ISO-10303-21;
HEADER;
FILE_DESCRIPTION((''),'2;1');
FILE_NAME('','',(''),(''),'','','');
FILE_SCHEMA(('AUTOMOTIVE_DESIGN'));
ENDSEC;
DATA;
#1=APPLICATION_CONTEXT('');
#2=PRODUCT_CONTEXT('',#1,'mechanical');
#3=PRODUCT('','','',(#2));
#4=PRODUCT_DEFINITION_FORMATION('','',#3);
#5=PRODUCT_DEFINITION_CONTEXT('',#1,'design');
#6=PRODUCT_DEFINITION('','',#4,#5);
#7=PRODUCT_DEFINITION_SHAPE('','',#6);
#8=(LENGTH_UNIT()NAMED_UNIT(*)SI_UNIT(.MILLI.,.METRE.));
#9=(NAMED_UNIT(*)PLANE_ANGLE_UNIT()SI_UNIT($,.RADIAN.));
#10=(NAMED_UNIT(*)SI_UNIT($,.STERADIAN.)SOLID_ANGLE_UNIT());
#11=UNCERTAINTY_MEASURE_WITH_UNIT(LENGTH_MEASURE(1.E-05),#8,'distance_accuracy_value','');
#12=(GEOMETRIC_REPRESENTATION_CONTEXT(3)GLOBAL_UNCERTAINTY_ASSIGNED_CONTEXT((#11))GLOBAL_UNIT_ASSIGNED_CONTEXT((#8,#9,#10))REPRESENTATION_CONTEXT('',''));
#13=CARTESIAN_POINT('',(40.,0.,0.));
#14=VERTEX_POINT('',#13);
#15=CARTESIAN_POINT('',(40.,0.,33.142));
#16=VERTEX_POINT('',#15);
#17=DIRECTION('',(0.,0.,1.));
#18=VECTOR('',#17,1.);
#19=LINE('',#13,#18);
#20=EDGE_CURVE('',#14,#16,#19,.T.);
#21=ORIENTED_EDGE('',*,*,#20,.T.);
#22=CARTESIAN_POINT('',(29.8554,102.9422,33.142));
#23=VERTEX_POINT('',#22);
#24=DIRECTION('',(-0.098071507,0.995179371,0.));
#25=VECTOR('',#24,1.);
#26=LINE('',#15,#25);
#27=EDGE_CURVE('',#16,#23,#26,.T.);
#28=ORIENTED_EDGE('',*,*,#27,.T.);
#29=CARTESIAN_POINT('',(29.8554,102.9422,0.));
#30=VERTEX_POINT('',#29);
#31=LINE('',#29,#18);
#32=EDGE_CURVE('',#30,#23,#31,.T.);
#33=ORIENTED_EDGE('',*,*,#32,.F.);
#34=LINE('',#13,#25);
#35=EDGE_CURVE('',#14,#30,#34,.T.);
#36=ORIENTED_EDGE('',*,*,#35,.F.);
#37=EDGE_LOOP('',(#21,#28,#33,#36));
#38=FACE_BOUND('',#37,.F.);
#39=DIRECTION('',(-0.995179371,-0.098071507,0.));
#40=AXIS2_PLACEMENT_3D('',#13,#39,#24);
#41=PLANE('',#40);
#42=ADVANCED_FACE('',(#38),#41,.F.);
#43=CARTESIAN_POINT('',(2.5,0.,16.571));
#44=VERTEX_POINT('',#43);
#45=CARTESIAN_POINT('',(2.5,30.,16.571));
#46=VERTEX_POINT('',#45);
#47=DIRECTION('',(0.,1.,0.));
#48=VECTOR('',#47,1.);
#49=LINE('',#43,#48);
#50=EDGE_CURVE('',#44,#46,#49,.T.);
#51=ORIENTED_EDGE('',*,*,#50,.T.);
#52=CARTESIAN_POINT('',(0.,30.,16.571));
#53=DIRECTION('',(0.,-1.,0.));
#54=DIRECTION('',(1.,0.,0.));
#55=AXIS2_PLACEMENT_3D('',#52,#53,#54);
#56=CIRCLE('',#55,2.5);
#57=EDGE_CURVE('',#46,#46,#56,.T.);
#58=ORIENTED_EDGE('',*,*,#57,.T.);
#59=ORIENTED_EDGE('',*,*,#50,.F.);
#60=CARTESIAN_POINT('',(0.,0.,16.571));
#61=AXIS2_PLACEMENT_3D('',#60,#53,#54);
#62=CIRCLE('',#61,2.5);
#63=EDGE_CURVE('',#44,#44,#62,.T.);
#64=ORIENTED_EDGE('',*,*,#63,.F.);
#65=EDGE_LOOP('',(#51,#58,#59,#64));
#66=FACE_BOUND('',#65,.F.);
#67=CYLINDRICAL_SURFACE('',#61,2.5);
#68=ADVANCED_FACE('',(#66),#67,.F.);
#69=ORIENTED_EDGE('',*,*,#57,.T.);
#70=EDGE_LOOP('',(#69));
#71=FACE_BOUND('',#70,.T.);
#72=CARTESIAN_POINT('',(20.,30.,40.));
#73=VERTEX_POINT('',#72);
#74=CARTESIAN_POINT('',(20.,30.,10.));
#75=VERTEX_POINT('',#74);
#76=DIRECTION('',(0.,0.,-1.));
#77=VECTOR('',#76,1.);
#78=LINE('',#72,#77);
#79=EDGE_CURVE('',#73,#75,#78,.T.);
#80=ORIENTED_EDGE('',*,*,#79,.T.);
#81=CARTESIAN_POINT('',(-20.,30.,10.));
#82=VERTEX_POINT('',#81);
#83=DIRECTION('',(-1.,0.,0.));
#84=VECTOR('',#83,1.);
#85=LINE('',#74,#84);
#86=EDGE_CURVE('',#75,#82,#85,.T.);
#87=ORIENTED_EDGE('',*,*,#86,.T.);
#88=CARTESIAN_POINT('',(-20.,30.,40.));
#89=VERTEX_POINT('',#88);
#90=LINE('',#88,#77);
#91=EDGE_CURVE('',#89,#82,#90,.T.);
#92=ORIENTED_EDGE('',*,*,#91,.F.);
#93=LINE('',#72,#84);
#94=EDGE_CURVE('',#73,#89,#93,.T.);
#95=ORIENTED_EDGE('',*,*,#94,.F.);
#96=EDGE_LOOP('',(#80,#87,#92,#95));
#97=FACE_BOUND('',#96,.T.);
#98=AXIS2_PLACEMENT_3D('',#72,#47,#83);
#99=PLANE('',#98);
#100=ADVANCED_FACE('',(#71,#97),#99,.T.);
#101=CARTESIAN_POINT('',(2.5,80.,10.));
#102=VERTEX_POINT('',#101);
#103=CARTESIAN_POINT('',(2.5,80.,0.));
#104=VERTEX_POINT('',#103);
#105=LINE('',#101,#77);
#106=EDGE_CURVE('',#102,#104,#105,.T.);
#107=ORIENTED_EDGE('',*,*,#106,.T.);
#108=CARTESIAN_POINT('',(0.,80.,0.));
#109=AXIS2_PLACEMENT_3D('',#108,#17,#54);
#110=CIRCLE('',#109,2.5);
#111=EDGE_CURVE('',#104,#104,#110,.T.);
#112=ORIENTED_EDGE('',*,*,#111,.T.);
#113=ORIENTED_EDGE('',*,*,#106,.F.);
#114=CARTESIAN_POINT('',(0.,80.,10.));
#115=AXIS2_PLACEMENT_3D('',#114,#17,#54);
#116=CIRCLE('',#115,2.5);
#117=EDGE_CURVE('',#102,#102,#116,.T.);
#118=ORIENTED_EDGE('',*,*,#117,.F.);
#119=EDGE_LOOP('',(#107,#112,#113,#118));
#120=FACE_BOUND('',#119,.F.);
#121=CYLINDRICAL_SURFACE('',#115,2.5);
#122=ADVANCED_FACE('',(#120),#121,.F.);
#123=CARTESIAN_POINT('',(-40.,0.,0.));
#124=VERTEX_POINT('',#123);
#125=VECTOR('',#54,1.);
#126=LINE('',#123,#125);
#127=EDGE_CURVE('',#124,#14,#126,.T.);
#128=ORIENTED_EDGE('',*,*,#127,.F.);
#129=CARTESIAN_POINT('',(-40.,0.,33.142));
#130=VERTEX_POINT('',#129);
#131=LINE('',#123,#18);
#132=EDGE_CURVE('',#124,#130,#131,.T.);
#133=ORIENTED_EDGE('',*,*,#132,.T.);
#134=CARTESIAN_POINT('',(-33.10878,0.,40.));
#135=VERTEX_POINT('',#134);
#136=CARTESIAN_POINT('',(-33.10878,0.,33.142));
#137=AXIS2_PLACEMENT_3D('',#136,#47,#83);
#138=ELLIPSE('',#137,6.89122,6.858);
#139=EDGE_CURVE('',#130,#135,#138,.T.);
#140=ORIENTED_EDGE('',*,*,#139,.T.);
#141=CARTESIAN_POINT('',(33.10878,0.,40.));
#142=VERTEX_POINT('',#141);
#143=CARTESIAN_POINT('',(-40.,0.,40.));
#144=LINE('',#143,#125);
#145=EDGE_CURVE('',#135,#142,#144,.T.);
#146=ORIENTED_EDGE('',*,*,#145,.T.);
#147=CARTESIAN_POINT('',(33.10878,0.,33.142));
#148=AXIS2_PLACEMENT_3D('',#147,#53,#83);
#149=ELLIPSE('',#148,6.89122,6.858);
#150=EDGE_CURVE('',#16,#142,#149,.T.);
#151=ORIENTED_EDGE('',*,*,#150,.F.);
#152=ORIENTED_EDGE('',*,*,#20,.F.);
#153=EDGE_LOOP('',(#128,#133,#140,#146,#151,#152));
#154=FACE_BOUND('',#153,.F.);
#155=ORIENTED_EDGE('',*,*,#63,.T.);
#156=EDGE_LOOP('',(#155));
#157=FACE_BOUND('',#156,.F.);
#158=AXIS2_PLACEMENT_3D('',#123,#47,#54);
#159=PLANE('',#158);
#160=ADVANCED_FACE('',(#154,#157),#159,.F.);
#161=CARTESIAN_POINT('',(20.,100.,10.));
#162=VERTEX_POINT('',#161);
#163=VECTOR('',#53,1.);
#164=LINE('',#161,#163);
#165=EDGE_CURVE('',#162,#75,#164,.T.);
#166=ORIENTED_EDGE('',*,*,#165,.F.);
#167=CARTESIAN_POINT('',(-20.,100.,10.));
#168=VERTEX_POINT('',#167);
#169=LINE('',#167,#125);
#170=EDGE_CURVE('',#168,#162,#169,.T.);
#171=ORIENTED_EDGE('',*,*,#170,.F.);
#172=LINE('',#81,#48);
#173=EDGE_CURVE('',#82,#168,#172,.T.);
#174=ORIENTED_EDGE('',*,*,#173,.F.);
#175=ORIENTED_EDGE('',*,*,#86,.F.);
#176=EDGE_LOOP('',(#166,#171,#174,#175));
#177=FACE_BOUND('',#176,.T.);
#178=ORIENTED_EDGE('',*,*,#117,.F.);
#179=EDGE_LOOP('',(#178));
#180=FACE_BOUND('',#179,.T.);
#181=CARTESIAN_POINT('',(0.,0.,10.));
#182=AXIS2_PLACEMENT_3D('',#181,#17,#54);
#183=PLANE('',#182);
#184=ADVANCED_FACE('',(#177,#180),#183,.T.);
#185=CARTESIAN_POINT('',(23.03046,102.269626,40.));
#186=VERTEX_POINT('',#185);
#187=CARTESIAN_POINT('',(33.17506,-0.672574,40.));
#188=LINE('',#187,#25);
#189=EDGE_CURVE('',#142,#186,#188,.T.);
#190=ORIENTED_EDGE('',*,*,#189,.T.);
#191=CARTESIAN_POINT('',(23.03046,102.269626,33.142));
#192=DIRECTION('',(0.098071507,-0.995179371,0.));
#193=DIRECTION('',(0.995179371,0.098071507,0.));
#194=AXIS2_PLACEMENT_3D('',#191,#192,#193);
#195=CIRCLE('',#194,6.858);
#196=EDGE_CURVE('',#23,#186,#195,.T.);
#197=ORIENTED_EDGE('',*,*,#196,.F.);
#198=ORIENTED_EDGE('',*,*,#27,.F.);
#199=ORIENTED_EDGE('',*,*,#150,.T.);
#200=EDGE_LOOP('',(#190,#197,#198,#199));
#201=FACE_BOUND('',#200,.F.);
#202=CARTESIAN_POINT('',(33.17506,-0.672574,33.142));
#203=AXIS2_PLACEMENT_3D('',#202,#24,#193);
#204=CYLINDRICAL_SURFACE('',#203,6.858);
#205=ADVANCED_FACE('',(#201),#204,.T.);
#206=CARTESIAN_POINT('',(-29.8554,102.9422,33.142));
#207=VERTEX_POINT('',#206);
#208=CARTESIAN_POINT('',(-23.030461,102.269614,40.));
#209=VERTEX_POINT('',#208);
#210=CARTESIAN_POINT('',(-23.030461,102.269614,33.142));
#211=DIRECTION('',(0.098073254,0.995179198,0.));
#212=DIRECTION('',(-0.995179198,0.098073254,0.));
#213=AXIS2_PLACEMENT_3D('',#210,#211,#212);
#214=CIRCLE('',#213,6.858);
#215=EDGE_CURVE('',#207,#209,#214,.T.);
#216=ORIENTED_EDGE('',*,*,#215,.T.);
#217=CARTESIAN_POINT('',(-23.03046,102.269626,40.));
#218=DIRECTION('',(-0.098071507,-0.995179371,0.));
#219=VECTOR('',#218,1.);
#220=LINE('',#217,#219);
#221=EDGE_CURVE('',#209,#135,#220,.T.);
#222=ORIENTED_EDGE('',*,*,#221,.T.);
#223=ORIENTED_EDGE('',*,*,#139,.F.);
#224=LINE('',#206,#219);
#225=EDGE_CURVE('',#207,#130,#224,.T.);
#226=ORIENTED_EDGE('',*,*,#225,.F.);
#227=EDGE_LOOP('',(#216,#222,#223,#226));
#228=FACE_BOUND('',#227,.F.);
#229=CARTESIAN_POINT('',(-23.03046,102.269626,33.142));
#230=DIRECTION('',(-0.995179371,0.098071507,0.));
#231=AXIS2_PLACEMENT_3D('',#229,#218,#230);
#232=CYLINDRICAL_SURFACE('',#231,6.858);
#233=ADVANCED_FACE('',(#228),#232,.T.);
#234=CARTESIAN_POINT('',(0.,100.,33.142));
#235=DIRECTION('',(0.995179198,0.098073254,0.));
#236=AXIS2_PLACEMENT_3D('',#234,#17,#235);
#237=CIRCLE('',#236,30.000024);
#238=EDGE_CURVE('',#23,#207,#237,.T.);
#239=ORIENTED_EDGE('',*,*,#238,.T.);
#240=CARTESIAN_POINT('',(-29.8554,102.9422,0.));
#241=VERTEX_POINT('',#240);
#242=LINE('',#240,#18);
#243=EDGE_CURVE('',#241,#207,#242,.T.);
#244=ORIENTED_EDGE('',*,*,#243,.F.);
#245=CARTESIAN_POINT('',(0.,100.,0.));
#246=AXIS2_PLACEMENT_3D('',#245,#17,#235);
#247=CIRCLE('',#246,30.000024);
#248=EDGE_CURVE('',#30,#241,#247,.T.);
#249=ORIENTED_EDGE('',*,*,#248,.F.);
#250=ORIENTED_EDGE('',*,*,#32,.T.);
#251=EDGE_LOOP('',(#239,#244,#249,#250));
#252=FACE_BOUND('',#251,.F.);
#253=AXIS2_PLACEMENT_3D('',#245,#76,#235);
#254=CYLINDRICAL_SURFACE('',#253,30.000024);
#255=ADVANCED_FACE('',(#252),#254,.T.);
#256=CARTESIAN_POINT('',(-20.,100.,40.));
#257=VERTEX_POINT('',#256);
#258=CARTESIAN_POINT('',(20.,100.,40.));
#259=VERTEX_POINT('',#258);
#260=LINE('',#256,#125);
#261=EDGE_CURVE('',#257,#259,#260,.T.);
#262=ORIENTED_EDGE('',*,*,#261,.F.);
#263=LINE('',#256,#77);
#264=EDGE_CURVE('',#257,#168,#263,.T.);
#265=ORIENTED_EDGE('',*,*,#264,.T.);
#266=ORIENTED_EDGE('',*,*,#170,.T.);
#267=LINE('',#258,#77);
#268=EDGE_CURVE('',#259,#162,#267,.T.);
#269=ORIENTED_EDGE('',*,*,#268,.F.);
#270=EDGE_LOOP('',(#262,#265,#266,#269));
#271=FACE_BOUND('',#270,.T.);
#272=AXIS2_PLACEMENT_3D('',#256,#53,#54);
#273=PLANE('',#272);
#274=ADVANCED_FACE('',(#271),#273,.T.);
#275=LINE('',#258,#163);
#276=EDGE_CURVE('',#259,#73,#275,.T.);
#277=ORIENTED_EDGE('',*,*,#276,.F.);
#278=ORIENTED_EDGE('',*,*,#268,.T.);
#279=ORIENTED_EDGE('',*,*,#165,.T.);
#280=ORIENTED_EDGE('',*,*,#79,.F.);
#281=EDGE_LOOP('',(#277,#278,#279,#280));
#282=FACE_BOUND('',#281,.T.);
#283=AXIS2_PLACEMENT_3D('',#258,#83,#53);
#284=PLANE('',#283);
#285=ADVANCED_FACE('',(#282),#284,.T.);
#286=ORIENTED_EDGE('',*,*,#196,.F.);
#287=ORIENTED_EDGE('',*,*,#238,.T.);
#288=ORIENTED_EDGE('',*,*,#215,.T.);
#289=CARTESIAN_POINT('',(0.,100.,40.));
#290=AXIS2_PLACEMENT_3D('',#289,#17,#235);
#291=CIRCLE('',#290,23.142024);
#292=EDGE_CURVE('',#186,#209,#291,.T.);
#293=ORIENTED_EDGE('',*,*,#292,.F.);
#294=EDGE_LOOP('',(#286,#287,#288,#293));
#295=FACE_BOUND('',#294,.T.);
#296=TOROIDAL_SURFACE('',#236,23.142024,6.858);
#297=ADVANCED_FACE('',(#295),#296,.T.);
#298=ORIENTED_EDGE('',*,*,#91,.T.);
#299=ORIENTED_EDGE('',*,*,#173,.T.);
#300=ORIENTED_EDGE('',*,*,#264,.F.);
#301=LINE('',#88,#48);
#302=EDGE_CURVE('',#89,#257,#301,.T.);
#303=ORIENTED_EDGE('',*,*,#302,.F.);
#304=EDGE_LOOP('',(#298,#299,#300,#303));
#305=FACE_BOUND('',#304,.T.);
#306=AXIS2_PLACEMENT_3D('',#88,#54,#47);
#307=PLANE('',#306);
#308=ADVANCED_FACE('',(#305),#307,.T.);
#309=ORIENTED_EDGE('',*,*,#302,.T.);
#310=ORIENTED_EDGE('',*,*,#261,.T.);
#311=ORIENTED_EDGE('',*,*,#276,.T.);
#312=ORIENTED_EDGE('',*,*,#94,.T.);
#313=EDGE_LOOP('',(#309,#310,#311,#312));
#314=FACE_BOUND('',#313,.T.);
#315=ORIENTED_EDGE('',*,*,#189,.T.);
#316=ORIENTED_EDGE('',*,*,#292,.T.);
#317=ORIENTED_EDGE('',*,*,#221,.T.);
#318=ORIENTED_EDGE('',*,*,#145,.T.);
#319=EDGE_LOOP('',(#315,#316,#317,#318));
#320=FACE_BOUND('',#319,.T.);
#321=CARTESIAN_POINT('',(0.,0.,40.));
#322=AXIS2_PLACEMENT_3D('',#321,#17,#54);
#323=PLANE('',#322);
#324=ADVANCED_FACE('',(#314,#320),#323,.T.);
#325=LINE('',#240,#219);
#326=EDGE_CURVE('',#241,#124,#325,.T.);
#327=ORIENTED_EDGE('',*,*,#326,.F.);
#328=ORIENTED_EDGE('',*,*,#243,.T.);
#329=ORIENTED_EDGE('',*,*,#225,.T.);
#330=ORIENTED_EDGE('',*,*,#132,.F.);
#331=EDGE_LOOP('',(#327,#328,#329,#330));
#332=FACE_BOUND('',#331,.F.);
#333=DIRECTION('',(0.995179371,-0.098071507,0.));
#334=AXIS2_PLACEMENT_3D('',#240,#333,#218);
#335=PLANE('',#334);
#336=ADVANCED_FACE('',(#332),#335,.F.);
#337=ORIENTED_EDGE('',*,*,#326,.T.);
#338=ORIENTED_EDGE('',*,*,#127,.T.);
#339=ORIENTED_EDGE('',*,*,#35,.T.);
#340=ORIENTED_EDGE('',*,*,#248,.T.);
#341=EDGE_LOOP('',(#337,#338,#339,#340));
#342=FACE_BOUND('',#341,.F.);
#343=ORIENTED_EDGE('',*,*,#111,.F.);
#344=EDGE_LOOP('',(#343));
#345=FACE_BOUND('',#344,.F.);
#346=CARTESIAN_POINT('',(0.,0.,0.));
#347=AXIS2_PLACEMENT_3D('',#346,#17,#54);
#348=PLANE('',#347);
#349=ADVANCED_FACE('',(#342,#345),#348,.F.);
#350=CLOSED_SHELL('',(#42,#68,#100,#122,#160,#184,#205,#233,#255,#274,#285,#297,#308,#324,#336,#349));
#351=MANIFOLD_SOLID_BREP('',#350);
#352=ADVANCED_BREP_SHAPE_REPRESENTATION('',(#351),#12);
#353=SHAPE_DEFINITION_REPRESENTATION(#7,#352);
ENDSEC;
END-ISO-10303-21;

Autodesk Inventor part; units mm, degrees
ref_plane "YZ Plane" through (0, 0, 0) normal (1, 0, 0) x (0, 1, 0)
ref_plane "XZ Plane" through (0, 0, 0) normal (0, 1, 0) x (-1, 0, 0)
ref_plane "XY Plane" through (0, 0, 0) normal (0, 0, 1) x (1, 0, 0)
sketch "Sketch1" plane through (0, 0, 0) normal (0, 0, 1) x (1, 0, 0)
  arc A0 (29.8554, 102.9422) -> (-29.8554, 102.9422) centre (0, 100) ccw
  line L0 (-29.8554, 102.9422) -> (-40, 0)
  line L1 (-40, 0) -> (40, 0)
  line L2 (40, 0) -> (29.8554, 102.9422)
  point P0 (0, 0)
  point P1 (0, 0)
  dimension "d0" = 80
  dimension "d1" = 60
  dimension "d2" = 100
extrude "Extrusion1" add sketch "Sketch1" along normal blind 40
sketch "Sketch2" plane through (0, 0, 40) normal (0, 0, 1) x (1, 0, 0)
  line L0 (-20, 100) -> (20, 100)
  line L1 (20, 100) -> (20, 30)
  line L2 (20, 30) -> (-20, 30)
  line L3 (-20, 30) -> (-20, 100)
  line L4 (-40, 0) -> (40, 0) projected
  arc A0 (29.8554, 102.9422) -> (-29.8554, 102.9422) centre (0, 100) ccw projected
  point P0 (0, 0)
  point P1 (0, 100)
  point P2 (0, 0)
  point P3 (0, 130)
  dimension "d5" = 70
  dimension "d6" = 40
  dimension "d7" = 30
extrude "Extrusion2" cut sketch "Sketch2" against normal blind 30
fillet "Fillet1" radius 6.858 3 edges at (0, 130, 40) (-34.9277, 51.4711, 40) (34.9277, 51.4711, 40)
sketch "Sketch3" plane through (-40, 0, 0) normal (0, -1, 0) x (1, 0, 0)
  line L0 (0, 0) -> (80, 0) projected
  line L1 (80, 0) -> (80, 33.142) projected
  line L2 (6.8912, 40) -> (73.1088, 40) projected
  circle A0 centre (40, 16.571) radius 2.5
  point P0 (40, 0)
  point P1 (40, 40)
  point P2 (80, 16.571)
  dimension "d11" = 5
extrude "Extrusion3" cut sketch "Sketch3" against normal blind 30
sketch "Sketch4" plane through (0, 0, 10) normal (0, 0, 1) x (1, 0, 0)
  circle A0 centre (0, 80) radius 2.5
  line L0 (20, 30) -> (-20, 30) projected
  line L1 (20, 100) -> (20, 30) projected
  line L2 (-20, 100) -> (20, 100) projected
  line L3 (-20, 30) -> (-20, 100) projected
  point P0 (0, 0)
  dimension "d14" = 20
  dimension "d15" = 5
  dimension "d16" = 20
extrude "Extrusion4" cut sketch "Sketch4" against normal blind 30 contours A0
properties part number "Robot_arm_3"
